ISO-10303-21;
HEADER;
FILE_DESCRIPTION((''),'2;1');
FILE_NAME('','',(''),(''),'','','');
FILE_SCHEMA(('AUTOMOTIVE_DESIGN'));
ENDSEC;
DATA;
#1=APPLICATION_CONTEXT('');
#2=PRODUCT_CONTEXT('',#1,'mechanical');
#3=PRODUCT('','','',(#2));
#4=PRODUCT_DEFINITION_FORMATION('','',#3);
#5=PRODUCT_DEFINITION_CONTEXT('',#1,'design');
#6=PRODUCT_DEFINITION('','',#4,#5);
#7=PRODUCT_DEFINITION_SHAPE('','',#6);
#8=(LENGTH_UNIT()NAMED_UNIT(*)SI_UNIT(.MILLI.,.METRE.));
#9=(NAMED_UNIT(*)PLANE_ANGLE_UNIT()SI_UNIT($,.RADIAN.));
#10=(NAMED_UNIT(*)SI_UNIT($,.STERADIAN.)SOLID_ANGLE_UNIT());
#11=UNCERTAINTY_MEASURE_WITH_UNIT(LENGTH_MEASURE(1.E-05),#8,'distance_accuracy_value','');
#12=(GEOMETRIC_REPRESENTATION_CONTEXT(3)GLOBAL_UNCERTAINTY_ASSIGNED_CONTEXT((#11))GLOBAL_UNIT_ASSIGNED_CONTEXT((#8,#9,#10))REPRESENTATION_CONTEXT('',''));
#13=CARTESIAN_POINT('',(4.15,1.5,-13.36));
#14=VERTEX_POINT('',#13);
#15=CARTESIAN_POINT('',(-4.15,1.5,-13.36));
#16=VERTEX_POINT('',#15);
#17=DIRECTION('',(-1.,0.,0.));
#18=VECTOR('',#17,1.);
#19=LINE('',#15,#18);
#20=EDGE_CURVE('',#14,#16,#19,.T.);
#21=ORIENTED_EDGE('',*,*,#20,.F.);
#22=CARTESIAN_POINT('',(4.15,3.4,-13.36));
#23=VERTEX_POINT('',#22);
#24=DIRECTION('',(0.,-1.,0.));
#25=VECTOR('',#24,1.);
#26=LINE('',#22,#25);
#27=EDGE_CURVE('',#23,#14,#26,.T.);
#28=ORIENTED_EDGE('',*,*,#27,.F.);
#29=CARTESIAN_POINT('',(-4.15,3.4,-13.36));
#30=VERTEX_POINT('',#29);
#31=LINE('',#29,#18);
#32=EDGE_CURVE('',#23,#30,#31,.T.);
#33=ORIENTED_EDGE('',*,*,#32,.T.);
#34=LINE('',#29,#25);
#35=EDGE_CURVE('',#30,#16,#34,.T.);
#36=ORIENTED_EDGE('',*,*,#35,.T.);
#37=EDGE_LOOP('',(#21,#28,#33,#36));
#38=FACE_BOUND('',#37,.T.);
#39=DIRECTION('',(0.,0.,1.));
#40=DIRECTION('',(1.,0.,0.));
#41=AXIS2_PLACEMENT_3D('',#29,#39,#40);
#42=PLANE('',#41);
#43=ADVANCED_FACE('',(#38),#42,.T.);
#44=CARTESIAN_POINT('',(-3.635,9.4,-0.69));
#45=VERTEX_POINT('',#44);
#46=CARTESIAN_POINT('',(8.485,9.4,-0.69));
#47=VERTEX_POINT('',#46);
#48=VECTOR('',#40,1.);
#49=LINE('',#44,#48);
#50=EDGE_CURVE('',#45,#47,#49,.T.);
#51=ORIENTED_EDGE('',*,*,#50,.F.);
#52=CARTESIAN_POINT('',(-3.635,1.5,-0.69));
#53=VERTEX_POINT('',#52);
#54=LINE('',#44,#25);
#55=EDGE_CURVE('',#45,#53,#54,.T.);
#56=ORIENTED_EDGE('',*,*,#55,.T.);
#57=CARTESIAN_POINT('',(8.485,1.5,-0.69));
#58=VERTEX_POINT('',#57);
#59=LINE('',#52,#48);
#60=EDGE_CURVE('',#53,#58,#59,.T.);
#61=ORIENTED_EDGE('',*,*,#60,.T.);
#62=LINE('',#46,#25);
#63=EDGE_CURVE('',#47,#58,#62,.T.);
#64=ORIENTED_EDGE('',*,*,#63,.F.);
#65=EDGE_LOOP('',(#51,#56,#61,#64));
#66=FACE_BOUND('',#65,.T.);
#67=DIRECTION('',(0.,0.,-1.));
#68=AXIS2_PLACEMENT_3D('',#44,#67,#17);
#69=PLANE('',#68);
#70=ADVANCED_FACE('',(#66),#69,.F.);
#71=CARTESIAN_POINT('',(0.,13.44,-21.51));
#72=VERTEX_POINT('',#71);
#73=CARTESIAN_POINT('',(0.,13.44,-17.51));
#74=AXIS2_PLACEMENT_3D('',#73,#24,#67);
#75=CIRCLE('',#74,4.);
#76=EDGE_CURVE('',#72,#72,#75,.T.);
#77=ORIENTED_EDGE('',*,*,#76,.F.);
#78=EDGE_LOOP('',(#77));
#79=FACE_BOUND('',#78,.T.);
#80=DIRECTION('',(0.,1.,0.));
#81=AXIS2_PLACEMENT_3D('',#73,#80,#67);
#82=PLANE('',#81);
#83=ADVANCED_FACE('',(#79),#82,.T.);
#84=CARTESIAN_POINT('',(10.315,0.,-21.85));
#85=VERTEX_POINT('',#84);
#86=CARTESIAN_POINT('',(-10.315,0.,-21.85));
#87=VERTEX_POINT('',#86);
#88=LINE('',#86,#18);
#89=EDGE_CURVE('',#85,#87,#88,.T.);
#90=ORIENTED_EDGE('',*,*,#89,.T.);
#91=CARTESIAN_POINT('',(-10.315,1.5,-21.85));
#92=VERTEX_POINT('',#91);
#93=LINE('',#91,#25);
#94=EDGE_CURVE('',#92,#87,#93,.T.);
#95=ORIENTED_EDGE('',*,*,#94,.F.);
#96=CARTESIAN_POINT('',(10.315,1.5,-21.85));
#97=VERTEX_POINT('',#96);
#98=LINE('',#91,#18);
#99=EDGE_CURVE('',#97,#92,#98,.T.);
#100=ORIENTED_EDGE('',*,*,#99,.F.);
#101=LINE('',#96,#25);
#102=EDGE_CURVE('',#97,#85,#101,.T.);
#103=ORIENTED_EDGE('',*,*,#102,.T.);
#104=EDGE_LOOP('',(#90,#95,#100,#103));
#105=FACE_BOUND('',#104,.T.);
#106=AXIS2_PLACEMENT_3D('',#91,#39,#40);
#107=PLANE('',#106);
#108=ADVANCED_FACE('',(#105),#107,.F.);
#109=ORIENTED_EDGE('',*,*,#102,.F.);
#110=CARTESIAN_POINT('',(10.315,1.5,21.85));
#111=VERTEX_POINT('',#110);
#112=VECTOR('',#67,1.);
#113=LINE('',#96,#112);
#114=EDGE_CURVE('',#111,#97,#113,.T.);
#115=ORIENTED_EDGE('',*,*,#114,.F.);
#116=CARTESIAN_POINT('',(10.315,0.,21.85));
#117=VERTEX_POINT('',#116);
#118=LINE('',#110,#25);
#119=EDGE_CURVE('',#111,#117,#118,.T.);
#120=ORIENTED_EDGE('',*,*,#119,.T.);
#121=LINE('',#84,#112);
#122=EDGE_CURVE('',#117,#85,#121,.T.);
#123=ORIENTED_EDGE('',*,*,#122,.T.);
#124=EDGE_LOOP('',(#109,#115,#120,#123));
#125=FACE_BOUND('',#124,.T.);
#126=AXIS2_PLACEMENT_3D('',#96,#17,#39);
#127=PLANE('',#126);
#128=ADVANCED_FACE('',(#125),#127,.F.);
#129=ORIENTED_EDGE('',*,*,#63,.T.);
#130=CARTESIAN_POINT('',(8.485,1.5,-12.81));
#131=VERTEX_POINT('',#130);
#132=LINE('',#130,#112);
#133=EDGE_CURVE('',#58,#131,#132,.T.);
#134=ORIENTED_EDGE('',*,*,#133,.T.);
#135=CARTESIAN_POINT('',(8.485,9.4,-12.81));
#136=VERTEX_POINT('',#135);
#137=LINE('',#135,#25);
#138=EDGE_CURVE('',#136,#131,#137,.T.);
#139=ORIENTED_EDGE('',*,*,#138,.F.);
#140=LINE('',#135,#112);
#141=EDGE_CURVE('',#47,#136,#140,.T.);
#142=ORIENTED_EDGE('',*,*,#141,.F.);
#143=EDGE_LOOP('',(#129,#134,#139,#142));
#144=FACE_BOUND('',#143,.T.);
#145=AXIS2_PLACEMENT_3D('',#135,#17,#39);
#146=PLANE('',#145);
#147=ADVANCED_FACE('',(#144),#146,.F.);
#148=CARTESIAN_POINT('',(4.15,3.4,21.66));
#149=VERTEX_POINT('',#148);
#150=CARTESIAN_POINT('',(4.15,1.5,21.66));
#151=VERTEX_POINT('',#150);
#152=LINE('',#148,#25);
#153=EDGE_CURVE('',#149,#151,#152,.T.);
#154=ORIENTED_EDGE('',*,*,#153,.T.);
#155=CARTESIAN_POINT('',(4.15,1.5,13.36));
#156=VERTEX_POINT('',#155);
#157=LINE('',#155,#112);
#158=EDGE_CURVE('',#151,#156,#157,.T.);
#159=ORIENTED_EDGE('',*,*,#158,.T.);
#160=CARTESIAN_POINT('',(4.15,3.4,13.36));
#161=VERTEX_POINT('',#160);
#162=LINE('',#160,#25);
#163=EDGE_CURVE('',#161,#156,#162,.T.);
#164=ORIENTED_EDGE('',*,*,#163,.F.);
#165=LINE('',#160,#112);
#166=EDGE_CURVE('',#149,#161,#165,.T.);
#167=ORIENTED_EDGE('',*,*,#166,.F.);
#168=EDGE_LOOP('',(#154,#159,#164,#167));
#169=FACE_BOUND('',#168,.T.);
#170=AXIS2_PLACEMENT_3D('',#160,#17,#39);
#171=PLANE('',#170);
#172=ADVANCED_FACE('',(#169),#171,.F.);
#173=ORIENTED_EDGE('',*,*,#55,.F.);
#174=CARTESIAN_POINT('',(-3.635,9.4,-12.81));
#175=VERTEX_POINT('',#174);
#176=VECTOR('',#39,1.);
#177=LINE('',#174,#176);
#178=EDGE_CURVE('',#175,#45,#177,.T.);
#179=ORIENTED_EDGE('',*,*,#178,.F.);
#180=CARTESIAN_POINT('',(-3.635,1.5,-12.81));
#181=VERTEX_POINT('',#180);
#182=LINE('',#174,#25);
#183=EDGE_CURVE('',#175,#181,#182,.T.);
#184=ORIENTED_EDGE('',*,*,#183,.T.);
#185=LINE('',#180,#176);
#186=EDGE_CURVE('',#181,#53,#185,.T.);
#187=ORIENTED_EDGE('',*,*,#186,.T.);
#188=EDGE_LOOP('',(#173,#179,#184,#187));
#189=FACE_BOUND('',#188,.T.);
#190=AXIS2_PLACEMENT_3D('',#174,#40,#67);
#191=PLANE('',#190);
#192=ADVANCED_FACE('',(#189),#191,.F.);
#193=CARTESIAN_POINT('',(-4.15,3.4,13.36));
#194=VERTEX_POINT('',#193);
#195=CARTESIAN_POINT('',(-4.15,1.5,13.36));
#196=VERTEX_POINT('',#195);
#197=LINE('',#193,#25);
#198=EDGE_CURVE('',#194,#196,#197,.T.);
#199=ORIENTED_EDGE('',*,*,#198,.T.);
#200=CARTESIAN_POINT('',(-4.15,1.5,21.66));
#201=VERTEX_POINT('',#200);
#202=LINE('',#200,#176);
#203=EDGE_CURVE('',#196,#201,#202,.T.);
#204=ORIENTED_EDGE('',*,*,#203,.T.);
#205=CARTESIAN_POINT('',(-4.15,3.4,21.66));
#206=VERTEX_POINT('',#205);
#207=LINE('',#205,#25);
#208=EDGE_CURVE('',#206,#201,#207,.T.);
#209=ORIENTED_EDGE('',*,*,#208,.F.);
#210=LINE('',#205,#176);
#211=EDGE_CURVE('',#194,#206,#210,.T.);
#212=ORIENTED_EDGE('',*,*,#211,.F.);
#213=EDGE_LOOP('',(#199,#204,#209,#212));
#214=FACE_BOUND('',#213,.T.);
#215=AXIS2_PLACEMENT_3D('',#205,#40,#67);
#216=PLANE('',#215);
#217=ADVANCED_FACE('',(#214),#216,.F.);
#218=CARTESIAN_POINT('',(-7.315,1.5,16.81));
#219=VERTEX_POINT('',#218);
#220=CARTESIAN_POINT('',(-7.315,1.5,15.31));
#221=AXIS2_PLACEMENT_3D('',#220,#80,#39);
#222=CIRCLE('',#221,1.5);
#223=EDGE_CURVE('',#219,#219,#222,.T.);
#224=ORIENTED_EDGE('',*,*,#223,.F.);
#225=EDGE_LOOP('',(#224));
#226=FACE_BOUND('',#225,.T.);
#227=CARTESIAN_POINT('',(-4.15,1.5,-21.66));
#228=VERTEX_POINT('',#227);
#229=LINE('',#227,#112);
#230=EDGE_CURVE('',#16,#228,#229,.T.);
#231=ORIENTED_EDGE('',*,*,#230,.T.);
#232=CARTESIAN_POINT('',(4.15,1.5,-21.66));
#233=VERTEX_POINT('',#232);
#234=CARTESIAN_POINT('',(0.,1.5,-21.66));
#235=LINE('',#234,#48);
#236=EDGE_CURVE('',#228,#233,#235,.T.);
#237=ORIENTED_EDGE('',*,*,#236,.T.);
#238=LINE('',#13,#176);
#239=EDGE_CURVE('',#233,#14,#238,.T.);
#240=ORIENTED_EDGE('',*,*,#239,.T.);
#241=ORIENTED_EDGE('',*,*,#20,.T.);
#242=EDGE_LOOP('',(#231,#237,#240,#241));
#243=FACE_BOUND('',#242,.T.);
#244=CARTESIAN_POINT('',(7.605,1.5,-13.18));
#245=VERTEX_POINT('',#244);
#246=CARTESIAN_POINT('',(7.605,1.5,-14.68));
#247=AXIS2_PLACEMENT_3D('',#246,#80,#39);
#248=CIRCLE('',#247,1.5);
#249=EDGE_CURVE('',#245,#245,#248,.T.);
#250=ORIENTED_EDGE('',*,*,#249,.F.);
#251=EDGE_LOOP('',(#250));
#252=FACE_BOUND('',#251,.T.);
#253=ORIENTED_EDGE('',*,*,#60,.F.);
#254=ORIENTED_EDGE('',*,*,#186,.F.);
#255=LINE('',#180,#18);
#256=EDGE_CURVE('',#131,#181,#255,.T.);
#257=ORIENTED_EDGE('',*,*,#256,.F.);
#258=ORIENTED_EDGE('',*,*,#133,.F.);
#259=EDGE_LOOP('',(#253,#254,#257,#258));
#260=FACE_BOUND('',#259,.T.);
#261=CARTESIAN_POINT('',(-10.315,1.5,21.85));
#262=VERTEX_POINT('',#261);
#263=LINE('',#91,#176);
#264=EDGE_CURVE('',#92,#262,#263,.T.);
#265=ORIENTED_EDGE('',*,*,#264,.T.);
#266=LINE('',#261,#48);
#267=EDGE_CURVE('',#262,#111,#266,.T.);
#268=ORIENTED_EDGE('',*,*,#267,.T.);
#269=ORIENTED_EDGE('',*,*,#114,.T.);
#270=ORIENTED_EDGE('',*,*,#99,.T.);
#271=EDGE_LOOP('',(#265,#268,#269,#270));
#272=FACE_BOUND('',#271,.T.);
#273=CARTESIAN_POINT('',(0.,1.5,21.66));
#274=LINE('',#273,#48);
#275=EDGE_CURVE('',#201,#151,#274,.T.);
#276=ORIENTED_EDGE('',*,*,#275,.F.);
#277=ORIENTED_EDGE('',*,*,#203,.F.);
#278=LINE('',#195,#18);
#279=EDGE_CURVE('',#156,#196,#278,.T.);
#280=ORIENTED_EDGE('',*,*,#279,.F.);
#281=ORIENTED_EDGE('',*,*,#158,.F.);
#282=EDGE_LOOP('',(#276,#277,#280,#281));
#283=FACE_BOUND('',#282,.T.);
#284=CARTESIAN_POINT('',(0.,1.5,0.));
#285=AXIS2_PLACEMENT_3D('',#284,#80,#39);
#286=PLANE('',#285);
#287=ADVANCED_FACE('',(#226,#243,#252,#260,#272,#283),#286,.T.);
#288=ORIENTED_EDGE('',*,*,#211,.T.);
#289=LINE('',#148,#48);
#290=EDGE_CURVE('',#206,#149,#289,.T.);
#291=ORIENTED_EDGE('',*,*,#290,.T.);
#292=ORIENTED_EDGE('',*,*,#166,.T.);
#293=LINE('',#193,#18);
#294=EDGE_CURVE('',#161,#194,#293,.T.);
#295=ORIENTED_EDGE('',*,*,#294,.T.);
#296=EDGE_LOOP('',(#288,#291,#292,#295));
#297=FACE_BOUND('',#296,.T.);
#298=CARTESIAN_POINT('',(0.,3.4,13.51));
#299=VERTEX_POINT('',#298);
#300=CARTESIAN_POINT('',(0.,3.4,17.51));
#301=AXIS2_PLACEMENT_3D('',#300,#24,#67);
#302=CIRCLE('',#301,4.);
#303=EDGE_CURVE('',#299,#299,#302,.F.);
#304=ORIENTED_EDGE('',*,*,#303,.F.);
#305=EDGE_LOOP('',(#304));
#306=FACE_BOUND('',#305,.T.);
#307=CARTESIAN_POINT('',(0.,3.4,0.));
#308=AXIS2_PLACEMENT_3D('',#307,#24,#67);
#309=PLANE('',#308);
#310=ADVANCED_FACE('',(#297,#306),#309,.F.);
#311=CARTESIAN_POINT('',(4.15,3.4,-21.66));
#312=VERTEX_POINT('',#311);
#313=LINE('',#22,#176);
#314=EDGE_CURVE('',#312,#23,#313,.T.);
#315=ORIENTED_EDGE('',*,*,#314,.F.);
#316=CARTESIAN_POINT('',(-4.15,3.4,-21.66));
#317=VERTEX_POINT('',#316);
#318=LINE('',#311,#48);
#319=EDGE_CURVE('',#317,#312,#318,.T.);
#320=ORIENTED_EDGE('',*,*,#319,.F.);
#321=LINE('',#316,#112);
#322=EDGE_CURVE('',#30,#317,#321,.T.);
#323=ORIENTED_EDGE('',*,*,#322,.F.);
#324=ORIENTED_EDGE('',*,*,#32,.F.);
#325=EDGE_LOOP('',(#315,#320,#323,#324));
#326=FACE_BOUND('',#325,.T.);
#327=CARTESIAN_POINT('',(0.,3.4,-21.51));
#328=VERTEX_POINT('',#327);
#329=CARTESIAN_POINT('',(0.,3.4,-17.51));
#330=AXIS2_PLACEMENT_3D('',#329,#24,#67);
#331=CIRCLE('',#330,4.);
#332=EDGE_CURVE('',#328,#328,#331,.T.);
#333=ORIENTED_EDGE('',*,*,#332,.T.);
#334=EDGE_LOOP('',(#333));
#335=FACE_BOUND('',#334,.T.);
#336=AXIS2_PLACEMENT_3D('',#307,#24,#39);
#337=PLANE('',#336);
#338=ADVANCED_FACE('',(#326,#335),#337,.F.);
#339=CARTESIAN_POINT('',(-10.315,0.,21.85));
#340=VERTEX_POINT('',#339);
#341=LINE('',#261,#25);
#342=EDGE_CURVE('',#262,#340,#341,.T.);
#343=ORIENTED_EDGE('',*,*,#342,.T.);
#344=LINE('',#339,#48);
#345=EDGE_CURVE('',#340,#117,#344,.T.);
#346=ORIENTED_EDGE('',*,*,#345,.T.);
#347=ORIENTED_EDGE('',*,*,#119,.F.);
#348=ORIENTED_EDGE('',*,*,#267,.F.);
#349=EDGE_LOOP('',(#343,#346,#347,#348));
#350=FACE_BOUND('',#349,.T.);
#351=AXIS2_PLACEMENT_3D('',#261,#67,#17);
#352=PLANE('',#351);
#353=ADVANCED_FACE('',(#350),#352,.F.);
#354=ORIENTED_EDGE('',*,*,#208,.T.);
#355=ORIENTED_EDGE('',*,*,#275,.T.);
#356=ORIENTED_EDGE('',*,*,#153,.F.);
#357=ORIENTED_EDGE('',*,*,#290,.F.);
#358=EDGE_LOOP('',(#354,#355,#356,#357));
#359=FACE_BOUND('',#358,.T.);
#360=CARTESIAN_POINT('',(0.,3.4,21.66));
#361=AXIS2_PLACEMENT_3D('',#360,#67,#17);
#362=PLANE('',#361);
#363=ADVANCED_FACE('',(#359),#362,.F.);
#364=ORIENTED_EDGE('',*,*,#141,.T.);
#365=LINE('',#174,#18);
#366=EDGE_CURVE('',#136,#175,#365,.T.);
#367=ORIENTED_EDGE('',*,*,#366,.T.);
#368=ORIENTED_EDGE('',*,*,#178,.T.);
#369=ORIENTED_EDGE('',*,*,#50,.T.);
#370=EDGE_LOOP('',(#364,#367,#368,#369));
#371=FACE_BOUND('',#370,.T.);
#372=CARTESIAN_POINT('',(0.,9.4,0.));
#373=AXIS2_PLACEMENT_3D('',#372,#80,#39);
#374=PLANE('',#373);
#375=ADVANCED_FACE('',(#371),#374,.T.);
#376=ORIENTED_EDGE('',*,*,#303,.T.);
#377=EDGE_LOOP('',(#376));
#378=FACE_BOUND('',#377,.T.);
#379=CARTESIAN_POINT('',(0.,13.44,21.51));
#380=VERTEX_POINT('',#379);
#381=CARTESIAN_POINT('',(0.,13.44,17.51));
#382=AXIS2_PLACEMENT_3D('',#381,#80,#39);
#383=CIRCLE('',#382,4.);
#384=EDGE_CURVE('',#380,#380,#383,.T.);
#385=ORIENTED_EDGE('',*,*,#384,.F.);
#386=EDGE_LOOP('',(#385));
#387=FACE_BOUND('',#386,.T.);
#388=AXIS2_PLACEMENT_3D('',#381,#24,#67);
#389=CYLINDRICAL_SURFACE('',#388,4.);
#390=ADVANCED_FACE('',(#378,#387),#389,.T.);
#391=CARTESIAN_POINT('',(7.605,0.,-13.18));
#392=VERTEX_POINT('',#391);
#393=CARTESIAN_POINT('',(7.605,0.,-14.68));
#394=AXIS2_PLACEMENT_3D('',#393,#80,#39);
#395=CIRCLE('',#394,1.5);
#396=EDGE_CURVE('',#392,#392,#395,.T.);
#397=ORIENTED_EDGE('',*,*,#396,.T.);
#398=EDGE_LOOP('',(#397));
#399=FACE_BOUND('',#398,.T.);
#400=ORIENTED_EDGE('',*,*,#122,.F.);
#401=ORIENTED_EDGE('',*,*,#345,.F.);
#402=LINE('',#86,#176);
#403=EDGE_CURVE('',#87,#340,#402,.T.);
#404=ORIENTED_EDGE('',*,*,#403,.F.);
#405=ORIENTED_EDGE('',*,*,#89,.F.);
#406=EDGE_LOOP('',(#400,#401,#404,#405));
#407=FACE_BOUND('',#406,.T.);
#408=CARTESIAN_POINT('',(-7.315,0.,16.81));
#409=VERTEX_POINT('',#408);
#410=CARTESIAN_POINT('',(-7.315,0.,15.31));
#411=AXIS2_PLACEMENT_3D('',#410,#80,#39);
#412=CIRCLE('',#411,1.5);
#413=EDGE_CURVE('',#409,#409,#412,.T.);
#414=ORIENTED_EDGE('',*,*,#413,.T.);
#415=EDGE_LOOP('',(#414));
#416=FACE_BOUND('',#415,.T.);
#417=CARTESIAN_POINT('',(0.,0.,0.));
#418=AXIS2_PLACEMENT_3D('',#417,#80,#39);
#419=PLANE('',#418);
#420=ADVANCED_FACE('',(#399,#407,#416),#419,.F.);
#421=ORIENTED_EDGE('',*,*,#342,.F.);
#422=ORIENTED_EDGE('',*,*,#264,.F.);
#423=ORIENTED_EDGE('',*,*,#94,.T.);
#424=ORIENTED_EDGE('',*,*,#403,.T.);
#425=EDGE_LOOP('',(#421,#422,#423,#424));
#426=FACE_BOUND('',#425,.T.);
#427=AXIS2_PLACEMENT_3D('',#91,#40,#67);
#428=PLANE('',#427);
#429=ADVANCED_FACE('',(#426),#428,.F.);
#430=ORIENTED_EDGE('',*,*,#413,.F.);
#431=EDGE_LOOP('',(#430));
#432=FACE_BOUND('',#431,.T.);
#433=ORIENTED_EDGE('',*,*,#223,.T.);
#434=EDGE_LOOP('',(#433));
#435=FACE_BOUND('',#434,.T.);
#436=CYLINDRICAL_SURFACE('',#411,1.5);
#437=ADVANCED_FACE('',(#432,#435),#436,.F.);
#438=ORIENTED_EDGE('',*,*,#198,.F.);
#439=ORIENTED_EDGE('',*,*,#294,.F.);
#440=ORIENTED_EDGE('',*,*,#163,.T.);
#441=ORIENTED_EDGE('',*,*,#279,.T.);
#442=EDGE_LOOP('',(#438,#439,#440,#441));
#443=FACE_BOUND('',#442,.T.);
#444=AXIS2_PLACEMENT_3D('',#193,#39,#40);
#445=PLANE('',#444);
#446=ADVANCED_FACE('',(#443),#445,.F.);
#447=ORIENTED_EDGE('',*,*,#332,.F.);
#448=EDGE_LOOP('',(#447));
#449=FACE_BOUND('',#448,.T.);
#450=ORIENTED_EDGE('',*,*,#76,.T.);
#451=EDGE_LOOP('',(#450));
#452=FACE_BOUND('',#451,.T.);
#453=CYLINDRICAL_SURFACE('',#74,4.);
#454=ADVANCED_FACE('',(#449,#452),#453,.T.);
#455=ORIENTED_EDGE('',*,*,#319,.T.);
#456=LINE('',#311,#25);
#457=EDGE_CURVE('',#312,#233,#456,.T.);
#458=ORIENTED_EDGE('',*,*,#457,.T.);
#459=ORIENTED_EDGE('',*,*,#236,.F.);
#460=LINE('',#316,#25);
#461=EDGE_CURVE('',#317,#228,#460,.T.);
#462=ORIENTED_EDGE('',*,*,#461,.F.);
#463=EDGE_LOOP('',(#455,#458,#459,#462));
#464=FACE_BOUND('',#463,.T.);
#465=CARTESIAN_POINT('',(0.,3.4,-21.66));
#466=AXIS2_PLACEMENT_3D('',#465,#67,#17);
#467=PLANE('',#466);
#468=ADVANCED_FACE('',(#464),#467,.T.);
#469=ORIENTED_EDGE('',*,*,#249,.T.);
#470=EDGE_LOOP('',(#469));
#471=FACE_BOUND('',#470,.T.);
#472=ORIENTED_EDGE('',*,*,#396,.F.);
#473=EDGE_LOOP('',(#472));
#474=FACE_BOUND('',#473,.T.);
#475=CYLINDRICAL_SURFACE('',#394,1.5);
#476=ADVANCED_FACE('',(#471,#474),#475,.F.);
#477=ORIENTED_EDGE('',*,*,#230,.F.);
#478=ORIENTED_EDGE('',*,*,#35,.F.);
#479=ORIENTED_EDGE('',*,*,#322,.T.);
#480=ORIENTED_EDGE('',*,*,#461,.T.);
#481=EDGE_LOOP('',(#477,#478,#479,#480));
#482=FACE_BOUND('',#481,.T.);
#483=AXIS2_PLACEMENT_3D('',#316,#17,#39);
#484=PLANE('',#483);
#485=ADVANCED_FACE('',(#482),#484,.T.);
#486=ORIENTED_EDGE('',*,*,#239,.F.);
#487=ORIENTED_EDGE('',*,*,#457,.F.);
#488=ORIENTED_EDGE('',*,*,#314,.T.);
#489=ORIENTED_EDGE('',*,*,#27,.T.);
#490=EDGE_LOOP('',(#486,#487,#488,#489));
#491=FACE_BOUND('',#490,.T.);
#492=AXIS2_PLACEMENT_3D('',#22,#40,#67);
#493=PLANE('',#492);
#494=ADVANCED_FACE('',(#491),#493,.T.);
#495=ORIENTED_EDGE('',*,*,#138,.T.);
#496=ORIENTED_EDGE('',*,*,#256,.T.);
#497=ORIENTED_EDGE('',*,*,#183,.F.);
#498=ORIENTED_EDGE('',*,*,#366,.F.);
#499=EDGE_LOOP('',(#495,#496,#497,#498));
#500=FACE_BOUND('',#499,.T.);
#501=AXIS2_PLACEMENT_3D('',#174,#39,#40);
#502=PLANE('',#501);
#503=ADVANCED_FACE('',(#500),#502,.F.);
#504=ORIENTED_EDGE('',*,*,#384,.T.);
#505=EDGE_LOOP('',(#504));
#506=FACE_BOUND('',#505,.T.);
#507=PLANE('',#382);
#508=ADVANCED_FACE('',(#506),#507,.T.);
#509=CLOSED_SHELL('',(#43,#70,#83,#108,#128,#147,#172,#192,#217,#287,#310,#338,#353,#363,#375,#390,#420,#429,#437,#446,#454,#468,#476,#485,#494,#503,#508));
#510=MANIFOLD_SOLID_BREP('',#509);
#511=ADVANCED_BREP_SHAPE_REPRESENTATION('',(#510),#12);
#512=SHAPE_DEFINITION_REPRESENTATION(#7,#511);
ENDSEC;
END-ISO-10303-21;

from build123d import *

# Parameters (mm, degrees)
SKETCH1_W           = 20.63
SKETCH1_H           = 43.7
BOSS_EXTRUDE1_DEPTH = 1.5
SKETCH2_R           = 1.5
CUT_EXTRUDE1_DEPTH  = 1.5
BOSS_EXTRUDE2_DEPTH = 1.9
SKETCH4_R           = 4
BOSS_EXTRUDE3_DEPTH = 10.04
SKETCH5_W           = 12.12
SKETCH5_H           = 12.12
BOSS_EXTRUDE4_DEPTH = 7.9


with BuildPart() as part:
    # Sketch1 → Boss-Extrude1 (new body)
    with BuildSketch(Plane(origin=(0, 0, 0), x_dir=(1, 0, 0), z_dir=(0, 1, 0))):
        Rectangle(SKETCH1_W, SKETCH1_H)
    extrude(amount=BOSS_EXTRUDE1_DEPTH)

    # Sketch2 → Cut-Extrude1 (cut)
    with BuildSketch(Plane(origin=(0, 1.5, 0), x_dir=(1, 0, 0), z_dir=(0, 1, 0))):
        with Locations((7.605, 14.68)):
            Circle(SKETCH2_R)
        with Locations((-7.315, -15.31)):
            Circle(SKETCH2_R)
    extrude(amount=-CUT_EXTRUDE1_DEPTH, mode=Mode.SUBTRACT)

    # Sketch3 → Boss-Extrude2 (add)
    with BuildSketch(Plane(origin=(0, 1.5, 0), x_dir=(1, 0, 0), z_dir=(0, 1, 0))):
        Polygon((0, -21.66), (-4.15, -21.66), (-4.15, -13.36), (4.15, -13.36), (4.15, -21.66), align=None)
    boss_extrude2 = extrude(amount=BOSS_EXTRUDE2_DEPTH)

    # Sketch4 → Boss-Extrude3 (add)
    with BuildSketch(Plane(origin=(0, 3.4, 0), x_dir=(1, 0, 0), z_dir=(0, 1, 0))):
        with Locations((0, -17.51)):
            Circle(SKETCH4_R)
    boss_extrude3 = extrude(amount=BOSS_EXTRUDE3_DEPTH)

    # Mirror1: Boss-Extrude2, Boss-Extrude3 across plane
    add(boss_extrude2.mirror(Plane.XY))
    add(boss_extrude3.mirror(Plane.XY))

    # Sketch5 → Boss-Extrude4 (add)
    with BuildSketch(Plane(origin=(0, 1.5, 0), x_dir=(1, 0, 0), z_dir=(0, 1, 0))):
        with Locations((2.425, 6.75)):
            Rectangle(SKETCH5_W, SKETCH5_H)
    extrude(amount=BOSS_EXTRUDE4_DEPTH)


solid = part.part
